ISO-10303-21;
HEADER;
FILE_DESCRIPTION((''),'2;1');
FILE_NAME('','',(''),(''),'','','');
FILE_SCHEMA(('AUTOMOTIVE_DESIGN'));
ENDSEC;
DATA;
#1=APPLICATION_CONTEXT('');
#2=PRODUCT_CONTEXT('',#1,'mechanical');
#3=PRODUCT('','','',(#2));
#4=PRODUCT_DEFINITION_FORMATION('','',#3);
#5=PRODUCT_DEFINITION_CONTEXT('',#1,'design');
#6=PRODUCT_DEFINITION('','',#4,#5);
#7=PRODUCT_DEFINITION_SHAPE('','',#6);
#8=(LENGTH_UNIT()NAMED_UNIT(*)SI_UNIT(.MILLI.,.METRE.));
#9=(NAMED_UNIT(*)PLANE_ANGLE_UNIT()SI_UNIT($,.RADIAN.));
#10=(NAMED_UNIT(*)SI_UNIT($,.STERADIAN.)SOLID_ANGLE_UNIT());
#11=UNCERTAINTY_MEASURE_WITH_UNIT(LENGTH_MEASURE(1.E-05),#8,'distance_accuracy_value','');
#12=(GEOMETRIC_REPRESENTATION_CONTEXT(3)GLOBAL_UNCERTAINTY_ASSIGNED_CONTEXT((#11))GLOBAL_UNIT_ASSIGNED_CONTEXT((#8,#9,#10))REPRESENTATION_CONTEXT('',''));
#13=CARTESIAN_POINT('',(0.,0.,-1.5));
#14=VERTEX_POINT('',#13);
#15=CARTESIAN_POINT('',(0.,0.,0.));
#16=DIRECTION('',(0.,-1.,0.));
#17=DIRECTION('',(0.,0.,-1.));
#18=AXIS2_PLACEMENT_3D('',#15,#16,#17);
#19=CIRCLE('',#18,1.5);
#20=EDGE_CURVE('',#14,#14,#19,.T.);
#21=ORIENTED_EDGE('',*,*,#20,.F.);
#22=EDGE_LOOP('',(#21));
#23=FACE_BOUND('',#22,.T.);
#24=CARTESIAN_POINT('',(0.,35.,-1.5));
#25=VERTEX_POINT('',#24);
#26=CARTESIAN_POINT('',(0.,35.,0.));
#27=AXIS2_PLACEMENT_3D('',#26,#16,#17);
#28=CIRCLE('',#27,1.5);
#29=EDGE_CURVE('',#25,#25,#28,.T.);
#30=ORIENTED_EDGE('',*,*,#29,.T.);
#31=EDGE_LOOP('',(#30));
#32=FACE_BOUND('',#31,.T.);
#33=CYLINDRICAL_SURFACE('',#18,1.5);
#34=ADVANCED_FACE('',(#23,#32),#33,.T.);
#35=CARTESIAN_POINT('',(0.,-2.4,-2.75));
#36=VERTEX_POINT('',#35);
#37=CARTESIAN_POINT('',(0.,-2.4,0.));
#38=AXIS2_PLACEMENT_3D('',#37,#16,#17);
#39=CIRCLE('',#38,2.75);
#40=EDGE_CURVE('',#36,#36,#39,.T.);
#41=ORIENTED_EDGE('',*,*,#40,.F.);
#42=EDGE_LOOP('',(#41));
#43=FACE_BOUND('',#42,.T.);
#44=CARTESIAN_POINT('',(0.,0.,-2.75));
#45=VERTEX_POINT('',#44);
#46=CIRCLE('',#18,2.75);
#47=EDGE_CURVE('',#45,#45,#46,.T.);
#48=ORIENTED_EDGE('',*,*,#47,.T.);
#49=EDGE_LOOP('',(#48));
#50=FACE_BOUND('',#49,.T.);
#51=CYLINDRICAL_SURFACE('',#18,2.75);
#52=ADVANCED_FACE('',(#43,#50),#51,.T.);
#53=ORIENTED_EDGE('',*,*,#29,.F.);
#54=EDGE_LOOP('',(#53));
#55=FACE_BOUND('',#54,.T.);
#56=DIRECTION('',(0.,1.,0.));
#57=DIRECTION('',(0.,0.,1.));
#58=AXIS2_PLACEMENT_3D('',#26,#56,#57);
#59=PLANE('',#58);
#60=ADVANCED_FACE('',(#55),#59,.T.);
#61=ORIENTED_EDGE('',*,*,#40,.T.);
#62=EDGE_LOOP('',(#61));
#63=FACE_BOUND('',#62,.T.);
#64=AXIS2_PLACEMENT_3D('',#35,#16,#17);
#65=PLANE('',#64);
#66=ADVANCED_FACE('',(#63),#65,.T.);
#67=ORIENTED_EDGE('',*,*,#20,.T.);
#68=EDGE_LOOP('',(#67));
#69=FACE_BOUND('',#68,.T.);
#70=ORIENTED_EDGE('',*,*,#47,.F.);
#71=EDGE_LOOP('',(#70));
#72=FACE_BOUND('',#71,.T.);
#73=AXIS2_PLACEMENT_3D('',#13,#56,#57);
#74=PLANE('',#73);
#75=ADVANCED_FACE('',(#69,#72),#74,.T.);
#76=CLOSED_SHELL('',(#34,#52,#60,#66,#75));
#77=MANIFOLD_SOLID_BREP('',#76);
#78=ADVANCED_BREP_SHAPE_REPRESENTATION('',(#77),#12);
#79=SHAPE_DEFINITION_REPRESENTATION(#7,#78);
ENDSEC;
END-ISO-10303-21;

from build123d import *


with BuildPart() as part:
    # Sketch1 → Revolve1 (revolve)
    with BuildSketch(Plane(origin=(0, 0, 0), x_dir=(0, 0, -1), z_dir=(1, 0, 0))):
        Polygon((0, 0), (0, 35), (1.5, 35), (1.5, 0), (2.75, 0), (2.75, -2.4), (0, -2.4), align=None)
    revolve(axis=Axis((0, 0, 0), (0, 1, 0)))


solid = part.part
